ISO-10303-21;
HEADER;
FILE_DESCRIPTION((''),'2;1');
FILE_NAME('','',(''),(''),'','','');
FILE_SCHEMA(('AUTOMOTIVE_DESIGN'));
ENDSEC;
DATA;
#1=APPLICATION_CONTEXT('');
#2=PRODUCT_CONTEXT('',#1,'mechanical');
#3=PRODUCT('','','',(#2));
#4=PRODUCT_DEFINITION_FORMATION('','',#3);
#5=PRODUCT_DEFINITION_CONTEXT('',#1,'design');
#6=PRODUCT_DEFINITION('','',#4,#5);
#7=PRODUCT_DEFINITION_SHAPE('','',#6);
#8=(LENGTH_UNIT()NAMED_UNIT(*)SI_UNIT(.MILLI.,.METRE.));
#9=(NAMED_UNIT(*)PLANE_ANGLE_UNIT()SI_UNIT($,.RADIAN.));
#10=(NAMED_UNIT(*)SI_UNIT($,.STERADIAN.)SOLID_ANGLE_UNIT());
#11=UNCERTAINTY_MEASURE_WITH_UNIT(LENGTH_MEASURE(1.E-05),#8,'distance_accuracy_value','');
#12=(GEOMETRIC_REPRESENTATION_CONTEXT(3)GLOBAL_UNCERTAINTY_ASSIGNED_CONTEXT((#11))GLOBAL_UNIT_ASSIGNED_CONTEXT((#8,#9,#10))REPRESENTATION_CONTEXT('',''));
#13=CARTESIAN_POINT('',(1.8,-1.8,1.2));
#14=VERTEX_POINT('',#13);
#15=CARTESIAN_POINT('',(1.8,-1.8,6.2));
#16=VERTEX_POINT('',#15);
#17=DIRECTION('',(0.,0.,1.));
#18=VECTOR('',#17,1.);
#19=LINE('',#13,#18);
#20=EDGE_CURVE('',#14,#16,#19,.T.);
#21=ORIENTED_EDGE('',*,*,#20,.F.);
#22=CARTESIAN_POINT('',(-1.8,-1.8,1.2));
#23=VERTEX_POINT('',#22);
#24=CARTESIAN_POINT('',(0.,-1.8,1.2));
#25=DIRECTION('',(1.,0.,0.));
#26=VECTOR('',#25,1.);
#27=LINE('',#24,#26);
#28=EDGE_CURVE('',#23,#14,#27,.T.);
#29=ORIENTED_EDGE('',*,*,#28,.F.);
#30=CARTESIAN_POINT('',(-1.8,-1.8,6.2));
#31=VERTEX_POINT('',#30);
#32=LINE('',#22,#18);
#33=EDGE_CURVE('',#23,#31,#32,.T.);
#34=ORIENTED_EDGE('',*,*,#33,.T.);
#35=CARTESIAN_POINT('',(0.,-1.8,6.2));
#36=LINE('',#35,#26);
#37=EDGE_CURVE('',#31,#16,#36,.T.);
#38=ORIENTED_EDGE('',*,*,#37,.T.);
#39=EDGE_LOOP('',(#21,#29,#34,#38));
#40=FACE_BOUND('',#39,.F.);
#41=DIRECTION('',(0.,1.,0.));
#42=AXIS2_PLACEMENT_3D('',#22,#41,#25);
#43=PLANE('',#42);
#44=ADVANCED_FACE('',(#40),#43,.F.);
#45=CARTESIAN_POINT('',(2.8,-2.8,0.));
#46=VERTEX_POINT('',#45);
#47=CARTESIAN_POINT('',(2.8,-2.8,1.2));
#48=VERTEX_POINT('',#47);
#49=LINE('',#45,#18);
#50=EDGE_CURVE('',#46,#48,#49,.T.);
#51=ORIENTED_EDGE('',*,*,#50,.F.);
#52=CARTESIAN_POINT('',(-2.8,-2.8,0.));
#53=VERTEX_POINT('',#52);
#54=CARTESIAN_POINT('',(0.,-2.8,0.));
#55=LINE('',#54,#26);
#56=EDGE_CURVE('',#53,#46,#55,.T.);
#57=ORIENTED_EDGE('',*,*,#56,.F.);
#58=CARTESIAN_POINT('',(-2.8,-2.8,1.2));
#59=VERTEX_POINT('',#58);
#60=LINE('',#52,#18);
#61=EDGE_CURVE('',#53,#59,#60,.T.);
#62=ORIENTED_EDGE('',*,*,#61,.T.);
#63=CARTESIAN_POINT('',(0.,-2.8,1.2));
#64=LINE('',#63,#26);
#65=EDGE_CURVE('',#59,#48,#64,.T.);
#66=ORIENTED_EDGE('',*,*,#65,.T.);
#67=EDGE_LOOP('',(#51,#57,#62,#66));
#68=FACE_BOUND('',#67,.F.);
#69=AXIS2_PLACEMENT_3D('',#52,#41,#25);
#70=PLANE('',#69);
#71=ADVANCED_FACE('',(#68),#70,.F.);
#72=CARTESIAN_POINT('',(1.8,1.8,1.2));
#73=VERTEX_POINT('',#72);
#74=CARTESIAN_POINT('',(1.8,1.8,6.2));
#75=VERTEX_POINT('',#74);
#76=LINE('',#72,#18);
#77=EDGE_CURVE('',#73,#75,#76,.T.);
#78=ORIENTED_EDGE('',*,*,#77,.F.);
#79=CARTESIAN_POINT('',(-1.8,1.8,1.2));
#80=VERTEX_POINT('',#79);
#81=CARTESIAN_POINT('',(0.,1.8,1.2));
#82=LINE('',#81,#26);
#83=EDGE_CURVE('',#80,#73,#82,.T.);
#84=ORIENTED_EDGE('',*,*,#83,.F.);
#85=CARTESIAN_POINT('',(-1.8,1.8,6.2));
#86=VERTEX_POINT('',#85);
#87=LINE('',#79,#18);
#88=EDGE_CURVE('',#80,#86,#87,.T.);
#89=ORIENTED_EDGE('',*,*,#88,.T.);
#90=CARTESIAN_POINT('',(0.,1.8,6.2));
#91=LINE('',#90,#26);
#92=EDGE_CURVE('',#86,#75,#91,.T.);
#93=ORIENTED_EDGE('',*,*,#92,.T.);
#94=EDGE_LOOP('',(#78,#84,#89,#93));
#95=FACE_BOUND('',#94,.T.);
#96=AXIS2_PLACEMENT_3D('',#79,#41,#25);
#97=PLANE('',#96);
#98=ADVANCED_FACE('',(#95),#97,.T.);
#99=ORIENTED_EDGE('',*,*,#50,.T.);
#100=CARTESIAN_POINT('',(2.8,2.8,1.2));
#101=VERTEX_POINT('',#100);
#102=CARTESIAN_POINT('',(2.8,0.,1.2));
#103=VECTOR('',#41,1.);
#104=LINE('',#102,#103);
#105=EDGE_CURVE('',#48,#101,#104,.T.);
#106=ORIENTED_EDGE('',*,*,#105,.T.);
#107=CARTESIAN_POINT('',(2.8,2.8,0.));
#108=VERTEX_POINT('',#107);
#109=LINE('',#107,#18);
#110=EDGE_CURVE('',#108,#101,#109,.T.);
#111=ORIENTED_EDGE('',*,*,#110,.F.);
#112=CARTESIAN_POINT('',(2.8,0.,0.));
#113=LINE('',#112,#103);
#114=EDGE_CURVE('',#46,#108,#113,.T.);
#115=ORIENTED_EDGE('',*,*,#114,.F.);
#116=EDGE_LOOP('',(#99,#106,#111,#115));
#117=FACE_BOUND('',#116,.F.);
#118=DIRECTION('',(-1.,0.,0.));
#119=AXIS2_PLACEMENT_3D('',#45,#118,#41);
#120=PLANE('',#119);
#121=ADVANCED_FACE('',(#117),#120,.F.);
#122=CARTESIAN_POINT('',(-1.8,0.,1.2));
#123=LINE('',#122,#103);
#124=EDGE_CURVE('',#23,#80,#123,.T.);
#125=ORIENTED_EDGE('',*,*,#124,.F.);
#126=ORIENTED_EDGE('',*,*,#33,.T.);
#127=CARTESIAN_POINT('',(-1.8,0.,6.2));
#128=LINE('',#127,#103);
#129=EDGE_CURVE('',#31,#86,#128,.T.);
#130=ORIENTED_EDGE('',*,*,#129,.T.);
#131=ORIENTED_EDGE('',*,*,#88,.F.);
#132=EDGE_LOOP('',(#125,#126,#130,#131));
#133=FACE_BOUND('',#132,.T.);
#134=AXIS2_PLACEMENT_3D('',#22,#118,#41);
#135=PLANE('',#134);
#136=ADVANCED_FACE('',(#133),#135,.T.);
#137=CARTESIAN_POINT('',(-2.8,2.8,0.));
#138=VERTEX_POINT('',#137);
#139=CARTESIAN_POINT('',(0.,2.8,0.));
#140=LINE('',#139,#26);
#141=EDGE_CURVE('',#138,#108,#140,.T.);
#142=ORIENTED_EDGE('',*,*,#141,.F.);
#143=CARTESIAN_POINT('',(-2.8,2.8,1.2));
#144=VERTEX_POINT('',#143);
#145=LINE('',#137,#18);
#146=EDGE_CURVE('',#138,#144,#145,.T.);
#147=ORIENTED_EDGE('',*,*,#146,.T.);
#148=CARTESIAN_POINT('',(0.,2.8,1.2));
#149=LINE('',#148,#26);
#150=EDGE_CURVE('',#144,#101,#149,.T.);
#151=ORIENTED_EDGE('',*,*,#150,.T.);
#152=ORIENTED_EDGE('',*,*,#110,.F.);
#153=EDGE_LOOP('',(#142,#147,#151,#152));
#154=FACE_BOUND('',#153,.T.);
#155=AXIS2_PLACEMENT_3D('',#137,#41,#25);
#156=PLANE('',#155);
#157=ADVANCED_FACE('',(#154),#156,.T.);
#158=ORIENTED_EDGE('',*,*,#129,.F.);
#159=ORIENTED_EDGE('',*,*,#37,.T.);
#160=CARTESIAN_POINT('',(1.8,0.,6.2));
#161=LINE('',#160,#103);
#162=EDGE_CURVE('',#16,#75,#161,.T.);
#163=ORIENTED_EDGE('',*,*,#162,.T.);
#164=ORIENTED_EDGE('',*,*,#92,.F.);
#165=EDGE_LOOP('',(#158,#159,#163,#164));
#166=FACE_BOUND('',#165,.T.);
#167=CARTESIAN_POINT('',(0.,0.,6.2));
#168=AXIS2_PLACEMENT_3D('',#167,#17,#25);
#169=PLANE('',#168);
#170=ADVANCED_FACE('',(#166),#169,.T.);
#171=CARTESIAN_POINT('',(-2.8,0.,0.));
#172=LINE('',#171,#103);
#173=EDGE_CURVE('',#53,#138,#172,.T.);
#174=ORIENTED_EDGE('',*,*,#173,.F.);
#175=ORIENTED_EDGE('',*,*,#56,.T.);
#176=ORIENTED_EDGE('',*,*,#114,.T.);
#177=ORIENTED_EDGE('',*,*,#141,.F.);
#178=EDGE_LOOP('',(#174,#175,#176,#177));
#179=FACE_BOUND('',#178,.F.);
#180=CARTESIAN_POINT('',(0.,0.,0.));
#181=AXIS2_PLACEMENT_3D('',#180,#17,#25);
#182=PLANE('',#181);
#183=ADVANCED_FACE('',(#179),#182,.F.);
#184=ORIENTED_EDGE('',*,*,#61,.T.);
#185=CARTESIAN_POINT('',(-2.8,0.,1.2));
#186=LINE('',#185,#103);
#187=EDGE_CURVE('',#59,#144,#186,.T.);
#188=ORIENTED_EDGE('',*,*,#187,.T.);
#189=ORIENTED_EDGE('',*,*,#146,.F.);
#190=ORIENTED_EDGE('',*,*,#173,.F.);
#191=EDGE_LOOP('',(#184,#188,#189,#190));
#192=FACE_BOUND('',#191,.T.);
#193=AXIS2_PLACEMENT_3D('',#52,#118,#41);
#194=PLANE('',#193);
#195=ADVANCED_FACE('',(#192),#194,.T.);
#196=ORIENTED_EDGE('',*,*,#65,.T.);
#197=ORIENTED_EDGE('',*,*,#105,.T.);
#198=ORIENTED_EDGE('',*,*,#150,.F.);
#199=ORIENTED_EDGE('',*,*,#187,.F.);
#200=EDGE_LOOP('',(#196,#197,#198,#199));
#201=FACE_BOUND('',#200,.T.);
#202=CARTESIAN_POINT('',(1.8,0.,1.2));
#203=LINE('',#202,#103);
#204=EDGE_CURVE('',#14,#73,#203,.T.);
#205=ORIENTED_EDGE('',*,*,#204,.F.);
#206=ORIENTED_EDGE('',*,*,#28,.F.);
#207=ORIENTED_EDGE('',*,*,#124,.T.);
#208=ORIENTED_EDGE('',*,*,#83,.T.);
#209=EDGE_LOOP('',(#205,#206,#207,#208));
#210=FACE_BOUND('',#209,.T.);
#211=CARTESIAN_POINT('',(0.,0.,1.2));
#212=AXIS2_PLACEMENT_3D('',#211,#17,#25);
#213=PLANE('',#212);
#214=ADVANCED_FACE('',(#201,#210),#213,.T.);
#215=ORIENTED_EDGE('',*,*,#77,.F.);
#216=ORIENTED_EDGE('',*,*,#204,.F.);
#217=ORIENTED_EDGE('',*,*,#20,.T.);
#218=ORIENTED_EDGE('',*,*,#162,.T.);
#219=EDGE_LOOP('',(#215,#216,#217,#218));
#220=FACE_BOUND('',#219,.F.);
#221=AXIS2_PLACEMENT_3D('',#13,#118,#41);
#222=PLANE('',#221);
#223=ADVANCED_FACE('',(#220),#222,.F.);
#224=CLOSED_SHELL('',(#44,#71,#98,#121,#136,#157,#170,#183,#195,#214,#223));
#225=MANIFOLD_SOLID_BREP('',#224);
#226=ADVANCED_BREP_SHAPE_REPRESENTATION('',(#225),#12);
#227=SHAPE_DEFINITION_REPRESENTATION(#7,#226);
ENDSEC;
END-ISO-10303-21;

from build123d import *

# Parameters (mm, degrees)
SKETCH_W     = 5.6
SKETCH_H     = 5.6
PAD_DEPTH    = 1.2
SKETCH001_W  = 3.6
SKETCH001_H  = 3.6
PAD001_DEPTH = 5


with BuildPart() as part:
    # Sketch → Pad (new body)
    with BuildSketch(Plane.XY):
        Rectangle(SKETCH_W, SKETCH_H)
    extrude(amount=PAD_DEPTH)

    # Sketch001 → Pad001 (new body)
    with BuildSketch(Plane.XY.offset(1.2)):
        Rectangle(SKETCH001_W, SKETCH001_H)
    extrude(amount=PAD001_DEPTH)


solid = part.part
